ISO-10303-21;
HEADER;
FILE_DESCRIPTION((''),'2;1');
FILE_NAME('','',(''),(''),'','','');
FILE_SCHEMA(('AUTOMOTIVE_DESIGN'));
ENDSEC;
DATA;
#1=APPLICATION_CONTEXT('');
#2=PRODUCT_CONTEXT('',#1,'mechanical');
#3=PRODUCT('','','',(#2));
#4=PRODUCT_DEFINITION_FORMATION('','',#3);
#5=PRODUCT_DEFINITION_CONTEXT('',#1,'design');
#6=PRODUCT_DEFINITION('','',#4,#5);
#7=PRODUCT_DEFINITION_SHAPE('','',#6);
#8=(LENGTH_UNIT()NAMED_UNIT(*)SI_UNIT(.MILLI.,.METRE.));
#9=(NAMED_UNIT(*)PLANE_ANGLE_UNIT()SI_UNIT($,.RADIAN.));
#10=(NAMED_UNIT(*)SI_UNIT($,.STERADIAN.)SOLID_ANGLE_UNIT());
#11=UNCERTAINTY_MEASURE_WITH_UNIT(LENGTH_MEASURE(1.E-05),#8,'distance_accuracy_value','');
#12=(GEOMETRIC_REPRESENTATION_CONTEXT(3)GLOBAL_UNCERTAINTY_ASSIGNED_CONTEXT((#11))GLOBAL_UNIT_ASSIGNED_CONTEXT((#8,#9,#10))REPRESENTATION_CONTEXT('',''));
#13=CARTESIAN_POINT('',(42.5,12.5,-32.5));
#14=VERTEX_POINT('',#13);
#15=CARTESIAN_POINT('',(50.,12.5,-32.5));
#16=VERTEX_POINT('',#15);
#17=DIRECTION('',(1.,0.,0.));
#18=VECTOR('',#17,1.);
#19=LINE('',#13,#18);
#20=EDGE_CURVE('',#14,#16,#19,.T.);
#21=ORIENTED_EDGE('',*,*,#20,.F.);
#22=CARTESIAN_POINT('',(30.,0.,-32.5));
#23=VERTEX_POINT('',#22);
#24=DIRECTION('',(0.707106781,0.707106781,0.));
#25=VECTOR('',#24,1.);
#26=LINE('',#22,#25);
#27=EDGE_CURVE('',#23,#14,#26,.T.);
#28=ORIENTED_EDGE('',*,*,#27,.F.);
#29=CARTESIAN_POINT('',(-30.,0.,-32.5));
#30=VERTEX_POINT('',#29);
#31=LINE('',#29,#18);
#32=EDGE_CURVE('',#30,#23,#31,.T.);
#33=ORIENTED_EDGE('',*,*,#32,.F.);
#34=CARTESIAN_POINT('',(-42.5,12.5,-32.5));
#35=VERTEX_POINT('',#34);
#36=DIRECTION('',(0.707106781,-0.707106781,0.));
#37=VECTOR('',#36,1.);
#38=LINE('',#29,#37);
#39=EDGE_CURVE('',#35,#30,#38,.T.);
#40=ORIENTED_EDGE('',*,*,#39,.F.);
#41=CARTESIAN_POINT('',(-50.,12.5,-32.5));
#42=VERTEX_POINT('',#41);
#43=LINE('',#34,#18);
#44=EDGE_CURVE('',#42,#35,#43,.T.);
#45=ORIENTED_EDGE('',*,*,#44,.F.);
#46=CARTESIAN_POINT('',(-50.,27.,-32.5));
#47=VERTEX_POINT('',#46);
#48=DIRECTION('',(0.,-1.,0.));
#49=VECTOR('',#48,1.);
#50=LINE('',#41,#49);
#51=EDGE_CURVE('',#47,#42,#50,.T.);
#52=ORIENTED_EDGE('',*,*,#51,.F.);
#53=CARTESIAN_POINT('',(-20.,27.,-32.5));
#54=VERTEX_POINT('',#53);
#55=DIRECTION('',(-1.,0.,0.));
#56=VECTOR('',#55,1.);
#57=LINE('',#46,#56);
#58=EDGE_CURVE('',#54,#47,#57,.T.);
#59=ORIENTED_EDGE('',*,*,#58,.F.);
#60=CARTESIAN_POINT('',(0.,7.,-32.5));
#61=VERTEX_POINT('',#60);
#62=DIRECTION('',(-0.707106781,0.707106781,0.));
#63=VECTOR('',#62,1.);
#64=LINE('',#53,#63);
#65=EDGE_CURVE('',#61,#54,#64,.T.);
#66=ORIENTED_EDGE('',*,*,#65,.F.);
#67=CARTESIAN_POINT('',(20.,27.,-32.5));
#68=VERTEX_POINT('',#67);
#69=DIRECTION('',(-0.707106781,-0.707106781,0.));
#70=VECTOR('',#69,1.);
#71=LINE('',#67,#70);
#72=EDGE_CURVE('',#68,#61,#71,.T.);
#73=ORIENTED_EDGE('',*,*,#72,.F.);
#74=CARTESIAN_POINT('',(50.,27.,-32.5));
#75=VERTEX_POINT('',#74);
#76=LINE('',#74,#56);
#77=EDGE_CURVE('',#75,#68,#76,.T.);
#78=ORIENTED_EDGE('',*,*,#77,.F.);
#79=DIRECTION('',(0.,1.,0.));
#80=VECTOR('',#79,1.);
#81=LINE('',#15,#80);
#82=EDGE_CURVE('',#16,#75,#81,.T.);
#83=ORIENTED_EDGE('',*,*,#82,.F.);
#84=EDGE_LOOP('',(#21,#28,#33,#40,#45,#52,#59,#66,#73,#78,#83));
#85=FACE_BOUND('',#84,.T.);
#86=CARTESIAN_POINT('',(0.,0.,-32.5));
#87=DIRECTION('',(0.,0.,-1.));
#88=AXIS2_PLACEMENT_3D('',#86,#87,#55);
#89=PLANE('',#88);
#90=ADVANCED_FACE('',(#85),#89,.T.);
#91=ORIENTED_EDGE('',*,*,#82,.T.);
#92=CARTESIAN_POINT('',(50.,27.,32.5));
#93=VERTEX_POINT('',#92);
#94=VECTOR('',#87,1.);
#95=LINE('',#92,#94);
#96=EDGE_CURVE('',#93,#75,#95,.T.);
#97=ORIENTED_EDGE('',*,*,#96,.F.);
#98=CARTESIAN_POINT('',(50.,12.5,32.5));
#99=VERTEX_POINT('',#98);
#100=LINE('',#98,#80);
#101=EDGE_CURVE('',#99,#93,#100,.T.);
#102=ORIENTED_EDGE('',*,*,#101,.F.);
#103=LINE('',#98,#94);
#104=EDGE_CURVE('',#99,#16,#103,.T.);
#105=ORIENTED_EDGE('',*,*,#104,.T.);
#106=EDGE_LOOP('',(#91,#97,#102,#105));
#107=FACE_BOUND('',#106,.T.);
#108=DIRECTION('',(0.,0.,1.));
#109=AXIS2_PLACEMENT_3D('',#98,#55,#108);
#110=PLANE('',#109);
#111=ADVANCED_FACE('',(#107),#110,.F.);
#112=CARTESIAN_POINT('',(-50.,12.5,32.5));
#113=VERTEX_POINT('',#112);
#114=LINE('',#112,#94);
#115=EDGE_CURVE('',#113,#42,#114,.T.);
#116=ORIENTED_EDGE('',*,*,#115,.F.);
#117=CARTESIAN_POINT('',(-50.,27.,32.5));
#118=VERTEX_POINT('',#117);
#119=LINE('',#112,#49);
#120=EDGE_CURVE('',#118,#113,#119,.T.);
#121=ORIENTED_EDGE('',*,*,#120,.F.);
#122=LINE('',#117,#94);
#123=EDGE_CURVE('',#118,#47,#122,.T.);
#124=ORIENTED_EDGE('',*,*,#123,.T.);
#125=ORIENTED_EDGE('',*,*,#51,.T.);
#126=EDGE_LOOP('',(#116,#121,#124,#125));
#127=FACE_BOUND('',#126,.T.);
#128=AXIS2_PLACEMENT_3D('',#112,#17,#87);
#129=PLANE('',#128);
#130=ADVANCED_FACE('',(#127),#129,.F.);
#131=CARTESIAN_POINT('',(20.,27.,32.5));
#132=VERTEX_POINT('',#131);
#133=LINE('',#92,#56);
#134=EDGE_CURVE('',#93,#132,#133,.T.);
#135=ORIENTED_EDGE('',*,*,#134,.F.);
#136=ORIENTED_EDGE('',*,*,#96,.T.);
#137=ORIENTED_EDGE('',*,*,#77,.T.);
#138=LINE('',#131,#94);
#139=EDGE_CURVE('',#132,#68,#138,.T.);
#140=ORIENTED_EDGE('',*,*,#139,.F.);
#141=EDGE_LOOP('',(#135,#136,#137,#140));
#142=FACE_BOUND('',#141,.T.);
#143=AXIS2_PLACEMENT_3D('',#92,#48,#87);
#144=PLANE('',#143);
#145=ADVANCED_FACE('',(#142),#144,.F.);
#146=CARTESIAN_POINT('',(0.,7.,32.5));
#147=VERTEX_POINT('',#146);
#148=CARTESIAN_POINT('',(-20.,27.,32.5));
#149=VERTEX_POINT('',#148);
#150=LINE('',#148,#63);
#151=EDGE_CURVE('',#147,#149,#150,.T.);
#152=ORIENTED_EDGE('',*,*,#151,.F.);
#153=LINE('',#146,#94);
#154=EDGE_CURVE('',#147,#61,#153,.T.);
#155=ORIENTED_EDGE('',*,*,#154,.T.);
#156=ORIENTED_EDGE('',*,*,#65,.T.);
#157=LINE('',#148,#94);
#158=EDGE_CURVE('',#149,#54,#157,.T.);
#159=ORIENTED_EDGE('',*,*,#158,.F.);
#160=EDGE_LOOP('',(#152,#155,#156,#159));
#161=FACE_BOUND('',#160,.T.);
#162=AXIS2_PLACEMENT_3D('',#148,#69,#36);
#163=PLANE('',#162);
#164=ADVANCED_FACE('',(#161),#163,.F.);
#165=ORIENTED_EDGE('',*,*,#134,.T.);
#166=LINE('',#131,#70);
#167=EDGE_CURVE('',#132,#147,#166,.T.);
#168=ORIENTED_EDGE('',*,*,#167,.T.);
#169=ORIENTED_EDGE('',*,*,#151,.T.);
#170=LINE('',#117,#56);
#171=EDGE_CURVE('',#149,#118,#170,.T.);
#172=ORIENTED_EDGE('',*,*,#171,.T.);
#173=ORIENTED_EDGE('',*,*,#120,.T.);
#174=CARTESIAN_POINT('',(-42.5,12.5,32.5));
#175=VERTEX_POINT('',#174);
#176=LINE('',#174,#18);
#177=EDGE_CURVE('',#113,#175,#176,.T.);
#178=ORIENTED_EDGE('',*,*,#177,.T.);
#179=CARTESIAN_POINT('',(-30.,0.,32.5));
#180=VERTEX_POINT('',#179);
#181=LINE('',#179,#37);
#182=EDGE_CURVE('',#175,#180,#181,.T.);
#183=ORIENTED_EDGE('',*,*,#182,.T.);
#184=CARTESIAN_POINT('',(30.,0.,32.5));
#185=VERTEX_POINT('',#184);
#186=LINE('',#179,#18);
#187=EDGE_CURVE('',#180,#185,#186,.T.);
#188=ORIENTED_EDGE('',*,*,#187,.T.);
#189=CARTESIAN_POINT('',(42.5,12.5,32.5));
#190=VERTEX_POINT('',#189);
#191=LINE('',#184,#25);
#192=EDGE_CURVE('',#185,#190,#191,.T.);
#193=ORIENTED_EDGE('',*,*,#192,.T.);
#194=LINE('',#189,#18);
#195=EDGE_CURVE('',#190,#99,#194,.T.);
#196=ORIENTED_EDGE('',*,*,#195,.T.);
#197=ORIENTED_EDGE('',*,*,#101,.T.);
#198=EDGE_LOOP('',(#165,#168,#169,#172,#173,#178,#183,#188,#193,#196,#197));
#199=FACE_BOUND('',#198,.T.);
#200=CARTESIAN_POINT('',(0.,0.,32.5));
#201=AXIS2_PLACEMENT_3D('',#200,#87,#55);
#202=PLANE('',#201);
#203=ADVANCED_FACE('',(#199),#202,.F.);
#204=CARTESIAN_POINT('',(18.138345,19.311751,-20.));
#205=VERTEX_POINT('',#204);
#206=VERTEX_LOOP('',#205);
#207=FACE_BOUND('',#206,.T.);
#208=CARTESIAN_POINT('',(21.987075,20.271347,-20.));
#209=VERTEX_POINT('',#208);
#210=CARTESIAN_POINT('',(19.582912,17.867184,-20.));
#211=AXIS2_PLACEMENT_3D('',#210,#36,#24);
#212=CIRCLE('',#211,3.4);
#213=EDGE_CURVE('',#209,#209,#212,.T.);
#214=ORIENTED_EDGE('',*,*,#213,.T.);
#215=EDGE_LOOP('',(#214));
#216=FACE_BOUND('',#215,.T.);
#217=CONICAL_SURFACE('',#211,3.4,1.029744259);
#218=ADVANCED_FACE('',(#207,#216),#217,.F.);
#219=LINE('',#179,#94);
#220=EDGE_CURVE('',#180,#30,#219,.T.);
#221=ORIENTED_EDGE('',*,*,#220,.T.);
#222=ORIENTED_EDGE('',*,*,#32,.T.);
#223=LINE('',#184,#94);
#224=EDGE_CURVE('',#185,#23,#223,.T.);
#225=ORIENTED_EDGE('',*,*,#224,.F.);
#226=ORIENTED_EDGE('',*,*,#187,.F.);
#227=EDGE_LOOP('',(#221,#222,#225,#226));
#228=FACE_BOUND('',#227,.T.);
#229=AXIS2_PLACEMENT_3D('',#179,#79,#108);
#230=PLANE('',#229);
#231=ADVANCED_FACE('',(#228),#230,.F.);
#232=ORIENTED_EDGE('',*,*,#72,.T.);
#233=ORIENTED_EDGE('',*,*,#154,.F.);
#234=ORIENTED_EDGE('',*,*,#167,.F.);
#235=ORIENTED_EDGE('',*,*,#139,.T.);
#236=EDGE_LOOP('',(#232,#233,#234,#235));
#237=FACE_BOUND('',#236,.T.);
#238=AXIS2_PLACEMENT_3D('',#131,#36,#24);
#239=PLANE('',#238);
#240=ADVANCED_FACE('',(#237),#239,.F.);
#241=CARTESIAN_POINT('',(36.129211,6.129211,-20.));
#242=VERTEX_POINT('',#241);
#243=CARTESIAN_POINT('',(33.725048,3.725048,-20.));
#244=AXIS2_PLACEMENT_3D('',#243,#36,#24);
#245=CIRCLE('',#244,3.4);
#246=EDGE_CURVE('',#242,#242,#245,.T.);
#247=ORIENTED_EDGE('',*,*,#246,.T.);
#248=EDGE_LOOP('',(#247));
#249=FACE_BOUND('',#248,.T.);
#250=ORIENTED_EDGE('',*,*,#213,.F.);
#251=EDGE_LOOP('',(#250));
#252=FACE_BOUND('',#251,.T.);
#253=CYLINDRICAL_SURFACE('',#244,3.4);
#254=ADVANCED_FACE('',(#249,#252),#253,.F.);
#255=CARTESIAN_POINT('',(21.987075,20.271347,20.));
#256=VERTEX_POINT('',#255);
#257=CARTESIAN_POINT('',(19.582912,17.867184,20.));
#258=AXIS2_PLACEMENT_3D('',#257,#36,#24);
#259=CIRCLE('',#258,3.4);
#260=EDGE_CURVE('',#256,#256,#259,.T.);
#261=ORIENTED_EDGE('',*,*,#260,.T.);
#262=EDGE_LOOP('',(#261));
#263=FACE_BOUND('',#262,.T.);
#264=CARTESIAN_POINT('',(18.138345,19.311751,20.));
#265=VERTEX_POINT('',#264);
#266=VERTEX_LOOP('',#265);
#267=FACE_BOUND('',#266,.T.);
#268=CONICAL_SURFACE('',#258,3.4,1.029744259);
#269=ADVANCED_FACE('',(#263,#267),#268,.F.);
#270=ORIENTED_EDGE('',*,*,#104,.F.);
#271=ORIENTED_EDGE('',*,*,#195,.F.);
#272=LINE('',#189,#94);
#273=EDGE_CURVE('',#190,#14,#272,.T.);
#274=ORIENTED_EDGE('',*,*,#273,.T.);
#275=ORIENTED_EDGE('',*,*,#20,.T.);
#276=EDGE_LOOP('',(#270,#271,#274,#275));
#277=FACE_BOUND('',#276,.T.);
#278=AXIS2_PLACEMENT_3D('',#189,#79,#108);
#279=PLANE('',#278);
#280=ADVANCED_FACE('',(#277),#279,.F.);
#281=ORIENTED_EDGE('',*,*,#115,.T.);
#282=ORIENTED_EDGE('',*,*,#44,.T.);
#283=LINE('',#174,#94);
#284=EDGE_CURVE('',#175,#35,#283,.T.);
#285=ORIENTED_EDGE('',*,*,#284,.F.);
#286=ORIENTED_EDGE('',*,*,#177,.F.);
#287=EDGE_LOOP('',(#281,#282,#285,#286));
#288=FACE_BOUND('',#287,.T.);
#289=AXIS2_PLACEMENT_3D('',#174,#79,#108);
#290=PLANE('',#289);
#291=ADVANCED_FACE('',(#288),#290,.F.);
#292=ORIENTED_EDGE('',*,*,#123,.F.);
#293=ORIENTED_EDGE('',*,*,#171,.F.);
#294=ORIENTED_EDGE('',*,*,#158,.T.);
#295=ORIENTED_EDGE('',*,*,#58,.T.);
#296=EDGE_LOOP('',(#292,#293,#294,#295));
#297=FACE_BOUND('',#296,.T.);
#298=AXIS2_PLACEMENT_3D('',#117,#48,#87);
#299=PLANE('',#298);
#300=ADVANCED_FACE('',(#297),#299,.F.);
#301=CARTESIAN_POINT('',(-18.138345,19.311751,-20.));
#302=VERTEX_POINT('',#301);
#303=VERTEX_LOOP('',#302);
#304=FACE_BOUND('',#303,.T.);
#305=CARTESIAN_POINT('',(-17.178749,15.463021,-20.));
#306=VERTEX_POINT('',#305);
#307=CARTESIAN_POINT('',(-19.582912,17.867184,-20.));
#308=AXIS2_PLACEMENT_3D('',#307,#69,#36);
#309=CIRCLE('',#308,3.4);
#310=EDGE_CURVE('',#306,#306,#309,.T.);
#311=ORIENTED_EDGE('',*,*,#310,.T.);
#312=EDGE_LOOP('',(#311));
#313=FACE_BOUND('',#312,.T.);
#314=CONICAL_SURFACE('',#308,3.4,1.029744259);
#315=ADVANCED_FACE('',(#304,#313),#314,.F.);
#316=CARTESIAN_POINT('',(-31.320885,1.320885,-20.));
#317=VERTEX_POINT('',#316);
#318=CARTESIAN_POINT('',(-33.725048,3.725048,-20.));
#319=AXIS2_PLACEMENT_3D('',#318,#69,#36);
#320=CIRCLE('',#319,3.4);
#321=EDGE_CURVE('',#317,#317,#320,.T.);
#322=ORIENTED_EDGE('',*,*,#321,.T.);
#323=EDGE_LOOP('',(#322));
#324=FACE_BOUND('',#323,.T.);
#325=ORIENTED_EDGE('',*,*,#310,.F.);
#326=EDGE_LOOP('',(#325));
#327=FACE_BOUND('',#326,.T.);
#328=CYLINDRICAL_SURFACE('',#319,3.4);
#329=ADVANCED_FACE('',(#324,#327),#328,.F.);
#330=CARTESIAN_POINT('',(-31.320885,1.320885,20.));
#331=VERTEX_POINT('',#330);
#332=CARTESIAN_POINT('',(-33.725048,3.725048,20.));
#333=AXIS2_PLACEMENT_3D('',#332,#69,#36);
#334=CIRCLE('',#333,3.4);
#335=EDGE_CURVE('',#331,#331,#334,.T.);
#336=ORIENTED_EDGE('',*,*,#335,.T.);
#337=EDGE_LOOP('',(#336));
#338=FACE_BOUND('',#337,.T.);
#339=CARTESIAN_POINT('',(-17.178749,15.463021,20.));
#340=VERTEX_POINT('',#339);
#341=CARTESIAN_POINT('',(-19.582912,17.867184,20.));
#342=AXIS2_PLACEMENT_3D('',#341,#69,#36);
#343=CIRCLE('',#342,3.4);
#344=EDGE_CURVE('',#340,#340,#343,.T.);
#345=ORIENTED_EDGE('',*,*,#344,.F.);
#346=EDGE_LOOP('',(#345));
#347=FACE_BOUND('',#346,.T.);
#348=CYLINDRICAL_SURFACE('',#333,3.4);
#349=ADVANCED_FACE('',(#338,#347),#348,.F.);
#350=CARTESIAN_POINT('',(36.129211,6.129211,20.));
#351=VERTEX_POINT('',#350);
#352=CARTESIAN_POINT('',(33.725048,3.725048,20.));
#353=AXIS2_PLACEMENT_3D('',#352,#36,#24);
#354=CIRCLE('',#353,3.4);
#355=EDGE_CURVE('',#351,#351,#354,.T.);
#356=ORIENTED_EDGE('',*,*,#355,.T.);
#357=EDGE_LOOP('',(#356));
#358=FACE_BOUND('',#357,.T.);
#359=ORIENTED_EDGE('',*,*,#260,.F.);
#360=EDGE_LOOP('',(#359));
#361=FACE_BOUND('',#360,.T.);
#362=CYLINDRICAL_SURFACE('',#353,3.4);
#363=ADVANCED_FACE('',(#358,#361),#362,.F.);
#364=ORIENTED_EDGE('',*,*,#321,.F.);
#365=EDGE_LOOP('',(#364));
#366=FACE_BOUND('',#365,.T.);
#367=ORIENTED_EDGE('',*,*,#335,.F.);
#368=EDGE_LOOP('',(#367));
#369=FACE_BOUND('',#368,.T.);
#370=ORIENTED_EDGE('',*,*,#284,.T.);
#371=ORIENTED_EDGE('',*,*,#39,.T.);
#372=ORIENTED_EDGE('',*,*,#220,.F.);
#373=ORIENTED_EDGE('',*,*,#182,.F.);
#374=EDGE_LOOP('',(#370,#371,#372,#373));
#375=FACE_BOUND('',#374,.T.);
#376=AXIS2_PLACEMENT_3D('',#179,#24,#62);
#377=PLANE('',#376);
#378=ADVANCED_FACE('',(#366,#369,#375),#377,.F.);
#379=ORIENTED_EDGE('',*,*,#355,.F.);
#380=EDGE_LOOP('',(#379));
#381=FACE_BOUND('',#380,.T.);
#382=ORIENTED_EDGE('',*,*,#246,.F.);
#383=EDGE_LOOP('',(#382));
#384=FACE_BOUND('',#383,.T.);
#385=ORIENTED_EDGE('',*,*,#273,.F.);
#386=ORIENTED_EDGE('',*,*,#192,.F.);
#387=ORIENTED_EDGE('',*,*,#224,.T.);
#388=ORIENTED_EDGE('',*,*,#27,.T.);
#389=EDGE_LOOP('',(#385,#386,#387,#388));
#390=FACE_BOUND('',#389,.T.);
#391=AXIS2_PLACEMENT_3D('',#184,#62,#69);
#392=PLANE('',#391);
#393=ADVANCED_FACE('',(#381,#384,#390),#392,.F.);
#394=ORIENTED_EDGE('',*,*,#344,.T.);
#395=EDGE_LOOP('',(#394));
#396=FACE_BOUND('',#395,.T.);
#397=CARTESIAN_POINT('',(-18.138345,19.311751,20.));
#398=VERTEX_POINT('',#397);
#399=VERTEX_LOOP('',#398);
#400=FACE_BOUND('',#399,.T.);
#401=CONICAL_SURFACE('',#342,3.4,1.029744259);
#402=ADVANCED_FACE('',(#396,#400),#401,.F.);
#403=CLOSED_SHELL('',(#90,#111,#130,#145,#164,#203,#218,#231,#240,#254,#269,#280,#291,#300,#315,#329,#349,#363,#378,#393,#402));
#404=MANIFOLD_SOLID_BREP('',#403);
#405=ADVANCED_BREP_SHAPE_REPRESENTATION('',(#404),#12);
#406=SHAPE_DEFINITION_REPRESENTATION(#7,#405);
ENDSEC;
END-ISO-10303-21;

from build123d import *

# Parameters (mm, degrees)
BOSS_EXTRUDE1_DEPTH            = 32.5
TALADRO_ROSCADO_M86_AT_2_COUNT = 2
TALADRO_ROSCADO_M86_AT_2_PITCH = 40


with BuildPart() as part:
    # Sketch1 → Boss-Extrude1 (new body, symmetric)
    with BuildSketch(Plane.XY):
        Polygon((-30, 0), (30, 0), (42.5, 12.5), (50, 12.5), (50, 27), (20, 27), (0, 7), (-20, 27), (-50, 27), (-50, 12.5), (-42.5, 12.5), align=None)
    extrude(amount=BOSS_EXTRUDE1_DEPTH, both=True)

    # Croquis12 → Taladro roscado M86 (revolve, cut)
    with BuildSketch(Plane(origin=(33.725048023, 3.725048023, 20), x_dir=(0.707106781, 0.707106781, 0), z_dir=(0, 0, 1))):
        Polygon((0, 0), (0, 22.042926105), (3.4, 20), (3.4, 0), align=None)
    taladro_roscado_m86 = revolve(axis=Axis((38.215176084, -0.765080037, 20), (-0.707106781, 0.707106781, 0)), mode=Mode.SUBTRACT)

    # Taladro roscado M86 at 2: Taladro roscado M86 ×2
    with Locations(*[(0, 0, -i * TALADRO_ROSCADO_M86_AT_2_PITCH) for i in range(1, TALADRO_ROSCADO_M86_AT_2_COUNT)]):
        add(taladro_roscado_m86, mode=Mode.SUBTRACT)

    # Simetría3: Taladro roscado M86 across plane
    add(taladro_roscado_m86.mirror(Plane(origin=(0, 0, 0), x_dir=(0, 0, 1), z_dir=(1, 0, 0))), mode=Mode.SUBTRACT)

    # Simetría3 copy 1 sketch → Simetría3 copy 1 (revolve, cut)
    with BuildSketch(Plane(origin=(-33.725048023, 3.725048023, -20), x_dir=(-0.707106781, 0.707106781, 0), z_dir=(0, 0, 1))):
        Polygon((0, 0), (0, -22.042926105), (3.4, -20), (3.4, 0), align=None)
    revolve(axis=Axis((-38.215176084, -0.765080037, -20), (-0.707106781, -0.707106781, 0)), mode=Mode.SUBTRACT)


solid = part.part
